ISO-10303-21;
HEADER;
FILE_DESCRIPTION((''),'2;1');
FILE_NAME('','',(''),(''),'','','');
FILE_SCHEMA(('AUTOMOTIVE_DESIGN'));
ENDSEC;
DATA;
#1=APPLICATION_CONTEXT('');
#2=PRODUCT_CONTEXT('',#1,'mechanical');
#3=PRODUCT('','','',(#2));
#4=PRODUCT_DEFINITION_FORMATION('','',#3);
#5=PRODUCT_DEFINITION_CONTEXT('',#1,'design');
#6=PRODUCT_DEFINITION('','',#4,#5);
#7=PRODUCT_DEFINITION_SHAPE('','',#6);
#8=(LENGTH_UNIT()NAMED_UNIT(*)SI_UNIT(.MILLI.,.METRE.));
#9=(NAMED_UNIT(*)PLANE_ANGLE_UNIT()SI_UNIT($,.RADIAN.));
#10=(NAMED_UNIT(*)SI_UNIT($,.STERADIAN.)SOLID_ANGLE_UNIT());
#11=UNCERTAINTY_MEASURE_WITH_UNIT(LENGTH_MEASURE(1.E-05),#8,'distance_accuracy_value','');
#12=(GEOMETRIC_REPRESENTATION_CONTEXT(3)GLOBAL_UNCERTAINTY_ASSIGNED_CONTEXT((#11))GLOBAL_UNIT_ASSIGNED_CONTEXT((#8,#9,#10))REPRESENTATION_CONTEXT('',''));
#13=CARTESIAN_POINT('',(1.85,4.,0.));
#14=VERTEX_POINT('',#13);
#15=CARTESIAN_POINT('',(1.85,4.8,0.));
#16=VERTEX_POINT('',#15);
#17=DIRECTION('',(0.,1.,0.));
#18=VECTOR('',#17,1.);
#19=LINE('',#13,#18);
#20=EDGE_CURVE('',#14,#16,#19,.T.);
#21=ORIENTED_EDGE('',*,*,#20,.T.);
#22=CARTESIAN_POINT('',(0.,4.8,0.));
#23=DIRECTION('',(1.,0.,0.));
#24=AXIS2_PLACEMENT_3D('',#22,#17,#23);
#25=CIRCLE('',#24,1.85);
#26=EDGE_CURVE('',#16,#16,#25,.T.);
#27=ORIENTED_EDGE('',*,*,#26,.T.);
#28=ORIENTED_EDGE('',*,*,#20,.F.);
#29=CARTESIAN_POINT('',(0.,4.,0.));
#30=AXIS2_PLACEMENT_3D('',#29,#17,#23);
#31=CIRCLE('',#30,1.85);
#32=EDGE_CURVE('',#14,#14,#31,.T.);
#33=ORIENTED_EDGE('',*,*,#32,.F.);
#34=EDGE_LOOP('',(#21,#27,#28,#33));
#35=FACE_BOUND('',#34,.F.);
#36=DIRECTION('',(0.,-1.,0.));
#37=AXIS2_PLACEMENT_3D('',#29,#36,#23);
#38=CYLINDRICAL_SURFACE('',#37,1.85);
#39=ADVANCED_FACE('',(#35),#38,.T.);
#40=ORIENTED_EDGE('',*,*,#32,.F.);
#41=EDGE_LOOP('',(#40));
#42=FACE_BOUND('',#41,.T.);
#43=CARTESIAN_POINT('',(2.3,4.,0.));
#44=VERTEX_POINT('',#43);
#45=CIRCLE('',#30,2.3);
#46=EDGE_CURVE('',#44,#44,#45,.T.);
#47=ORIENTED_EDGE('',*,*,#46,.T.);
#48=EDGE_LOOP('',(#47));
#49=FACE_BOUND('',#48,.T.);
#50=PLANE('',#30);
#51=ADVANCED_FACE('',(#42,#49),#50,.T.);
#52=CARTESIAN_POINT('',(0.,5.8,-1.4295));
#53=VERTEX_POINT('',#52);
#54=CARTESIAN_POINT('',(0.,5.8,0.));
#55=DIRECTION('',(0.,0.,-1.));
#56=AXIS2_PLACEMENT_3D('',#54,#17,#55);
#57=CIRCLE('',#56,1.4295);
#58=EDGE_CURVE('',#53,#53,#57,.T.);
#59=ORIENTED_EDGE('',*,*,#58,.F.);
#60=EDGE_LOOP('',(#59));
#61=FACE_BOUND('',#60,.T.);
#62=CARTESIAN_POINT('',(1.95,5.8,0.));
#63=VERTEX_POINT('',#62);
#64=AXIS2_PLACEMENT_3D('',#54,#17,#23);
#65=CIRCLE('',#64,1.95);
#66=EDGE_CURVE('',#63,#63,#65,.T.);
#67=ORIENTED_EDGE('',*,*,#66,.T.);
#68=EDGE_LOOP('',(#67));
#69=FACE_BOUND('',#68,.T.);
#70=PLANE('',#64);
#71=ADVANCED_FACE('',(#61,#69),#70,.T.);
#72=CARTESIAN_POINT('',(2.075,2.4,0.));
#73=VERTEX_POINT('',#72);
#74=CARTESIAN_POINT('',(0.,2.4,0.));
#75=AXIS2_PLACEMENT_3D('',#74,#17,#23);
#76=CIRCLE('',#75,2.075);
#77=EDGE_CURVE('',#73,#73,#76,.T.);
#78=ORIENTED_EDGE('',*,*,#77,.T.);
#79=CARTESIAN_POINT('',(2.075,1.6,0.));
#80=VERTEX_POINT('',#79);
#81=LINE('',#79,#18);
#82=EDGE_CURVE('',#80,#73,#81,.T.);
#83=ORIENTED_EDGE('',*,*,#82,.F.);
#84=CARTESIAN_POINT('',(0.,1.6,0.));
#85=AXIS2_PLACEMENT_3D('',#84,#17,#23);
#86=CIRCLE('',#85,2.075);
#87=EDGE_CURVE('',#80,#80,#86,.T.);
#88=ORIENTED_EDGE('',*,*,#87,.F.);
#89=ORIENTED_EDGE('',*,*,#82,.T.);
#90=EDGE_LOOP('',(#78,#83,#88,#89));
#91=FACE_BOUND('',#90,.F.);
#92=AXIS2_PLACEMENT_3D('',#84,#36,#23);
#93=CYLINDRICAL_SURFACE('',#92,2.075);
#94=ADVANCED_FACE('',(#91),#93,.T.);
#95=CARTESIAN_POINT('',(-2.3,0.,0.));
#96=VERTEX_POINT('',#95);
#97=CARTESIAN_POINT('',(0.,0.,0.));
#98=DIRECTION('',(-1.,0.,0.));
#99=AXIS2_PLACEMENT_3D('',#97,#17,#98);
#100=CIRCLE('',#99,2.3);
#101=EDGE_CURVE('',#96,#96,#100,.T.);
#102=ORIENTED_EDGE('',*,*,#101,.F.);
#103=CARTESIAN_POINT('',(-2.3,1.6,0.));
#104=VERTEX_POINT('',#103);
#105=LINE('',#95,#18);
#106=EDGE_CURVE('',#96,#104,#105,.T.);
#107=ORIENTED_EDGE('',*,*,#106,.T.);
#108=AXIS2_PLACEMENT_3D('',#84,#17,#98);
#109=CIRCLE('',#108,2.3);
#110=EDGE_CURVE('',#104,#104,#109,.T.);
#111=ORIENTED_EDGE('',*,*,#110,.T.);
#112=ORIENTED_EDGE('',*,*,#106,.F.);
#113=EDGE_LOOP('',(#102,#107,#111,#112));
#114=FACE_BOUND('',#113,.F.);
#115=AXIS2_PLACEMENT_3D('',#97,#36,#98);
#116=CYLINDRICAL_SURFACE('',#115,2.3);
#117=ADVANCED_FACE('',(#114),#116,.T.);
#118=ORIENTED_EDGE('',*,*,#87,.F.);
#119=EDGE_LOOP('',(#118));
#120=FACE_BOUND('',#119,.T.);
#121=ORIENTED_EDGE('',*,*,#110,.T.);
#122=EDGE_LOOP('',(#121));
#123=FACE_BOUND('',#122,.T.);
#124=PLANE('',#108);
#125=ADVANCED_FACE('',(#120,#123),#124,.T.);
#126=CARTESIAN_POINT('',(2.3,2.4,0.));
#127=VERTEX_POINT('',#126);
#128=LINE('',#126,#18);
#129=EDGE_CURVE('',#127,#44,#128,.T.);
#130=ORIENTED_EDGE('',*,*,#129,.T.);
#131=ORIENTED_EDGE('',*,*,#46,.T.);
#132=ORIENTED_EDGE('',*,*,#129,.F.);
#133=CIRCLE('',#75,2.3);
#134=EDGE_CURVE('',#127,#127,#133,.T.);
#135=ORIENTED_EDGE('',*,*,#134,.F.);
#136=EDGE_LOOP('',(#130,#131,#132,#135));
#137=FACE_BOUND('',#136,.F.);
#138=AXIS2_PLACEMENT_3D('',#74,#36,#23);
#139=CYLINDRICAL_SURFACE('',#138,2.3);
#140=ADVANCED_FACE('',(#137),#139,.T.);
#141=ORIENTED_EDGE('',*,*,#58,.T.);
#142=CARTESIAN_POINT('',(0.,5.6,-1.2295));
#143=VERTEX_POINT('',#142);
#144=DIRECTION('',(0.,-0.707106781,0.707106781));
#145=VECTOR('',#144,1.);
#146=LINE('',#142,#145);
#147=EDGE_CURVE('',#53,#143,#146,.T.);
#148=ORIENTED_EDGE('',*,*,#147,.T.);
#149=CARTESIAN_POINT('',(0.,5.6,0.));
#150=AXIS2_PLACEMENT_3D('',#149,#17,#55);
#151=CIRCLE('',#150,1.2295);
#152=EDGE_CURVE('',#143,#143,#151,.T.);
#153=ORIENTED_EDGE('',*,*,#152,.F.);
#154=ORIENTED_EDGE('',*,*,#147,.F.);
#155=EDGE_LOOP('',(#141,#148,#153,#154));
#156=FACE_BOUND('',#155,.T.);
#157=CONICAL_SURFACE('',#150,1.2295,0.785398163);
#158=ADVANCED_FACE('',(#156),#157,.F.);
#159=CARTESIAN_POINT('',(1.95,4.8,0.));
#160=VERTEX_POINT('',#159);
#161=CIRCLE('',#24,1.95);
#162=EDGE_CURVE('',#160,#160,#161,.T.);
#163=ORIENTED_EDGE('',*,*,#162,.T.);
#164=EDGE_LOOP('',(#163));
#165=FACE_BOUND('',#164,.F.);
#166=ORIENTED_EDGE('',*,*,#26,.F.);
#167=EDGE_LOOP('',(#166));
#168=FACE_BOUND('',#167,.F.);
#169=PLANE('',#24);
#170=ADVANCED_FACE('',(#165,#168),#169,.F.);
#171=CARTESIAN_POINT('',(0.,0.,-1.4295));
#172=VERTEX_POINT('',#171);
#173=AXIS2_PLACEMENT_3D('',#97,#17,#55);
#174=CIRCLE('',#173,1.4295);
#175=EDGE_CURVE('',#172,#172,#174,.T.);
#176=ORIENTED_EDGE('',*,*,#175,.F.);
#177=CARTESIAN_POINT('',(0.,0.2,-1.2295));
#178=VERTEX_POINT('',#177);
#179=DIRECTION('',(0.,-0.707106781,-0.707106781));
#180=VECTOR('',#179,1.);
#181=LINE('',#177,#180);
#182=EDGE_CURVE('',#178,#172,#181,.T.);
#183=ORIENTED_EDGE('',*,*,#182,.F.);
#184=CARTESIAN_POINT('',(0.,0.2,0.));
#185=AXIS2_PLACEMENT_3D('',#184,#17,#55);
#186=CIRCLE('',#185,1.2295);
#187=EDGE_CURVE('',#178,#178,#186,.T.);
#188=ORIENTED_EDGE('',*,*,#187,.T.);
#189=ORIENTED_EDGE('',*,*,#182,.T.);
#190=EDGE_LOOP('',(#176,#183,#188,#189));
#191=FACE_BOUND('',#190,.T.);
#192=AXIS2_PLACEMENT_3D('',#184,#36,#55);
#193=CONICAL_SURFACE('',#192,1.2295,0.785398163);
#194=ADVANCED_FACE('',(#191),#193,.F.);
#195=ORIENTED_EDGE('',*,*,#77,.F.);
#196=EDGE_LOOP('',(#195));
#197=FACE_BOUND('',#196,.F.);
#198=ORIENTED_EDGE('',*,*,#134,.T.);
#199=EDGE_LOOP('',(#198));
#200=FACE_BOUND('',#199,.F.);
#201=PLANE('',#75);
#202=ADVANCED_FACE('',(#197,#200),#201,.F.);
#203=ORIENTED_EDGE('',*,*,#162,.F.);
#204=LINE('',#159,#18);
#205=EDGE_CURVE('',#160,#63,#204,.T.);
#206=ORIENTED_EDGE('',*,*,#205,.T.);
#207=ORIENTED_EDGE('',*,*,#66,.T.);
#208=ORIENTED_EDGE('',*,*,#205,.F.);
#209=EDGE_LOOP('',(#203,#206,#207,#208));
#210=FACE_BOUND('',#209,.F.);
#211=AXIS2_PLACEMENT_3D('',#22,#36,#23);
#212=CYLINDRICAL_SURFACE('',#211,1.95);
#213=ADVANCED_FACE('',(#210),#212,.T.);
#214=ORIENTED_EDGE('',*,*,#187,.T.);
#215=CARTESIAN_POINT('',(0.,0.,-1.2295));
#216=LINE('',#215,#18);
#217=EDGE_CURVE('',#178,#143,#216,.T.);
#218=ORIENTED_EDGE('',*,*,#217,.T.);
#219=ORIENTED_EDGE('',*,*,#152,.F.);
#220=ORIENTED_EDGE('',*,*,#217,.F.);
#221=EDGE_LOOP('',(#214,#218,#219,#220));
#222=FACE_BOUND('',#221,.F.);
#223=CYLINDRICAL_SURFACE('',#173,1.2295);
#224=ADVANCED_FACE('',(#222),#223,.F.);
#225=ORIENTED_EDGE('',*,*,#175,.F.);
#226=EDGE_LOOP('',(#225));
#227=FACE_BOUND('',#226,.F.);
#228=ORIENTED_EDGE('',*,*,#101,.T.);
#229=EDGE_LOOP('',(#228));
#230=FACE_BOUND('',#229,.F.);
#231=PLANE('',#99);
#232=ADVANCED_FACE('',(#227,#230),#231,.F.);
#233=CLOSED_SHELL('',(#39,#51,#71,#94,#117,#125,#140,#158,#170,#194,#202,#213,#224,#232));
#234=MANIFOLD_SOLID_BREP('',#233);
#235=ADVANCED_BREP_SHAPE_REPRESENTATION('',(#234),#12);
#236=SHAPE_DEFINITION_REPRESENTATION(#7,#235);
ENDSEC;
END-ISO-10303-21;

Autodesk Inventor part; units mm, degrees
ref_plane "YZ Plane" through (0, 0, 0) normal (1, 0, 0) x (0, 1, 0)
ref_plane "XZ Plane" through (0, 0, 0) normal (0, 1, 0) x (-1, 0, 0)
ref_plane "XY Plane" through (0, 0, 0) normal (0, 0, 1) x (1, 0, 0)
sketch "Sketch1" plane through (0, 0, 0) normal (0, 1, 0) x (-1, 0, 0)
  circle A0 centre (0, 0) radius 2.3
  dimension "d0" = 4.6
extrude "Extrusion1" add sketch "Sketch1" along normal blind 1.6
sketch "Sketch2" plane through (0, 1.6, 0) normal (0, 1, 0) x (1, 0, 0)
  circle A0 centre (0, 0) radius 2.075
  dimension "d3" = 4.15
extrude "Extrusion2" add sketch "Sketch2" along normal blind 0.8
sketch "Sketch3" plane through (0, 2.4, 0) normal (0, 1, 0) x (1, 0, 0)
  circle A0 centre (0, 0) radius 2.3 projected
extrude "Extrusion3" add sketch "Sketch3" along normal blind 1.6
sketch "Sketch4" plane through (0, 4, 0) normal (0, 1, 0) x (1, 0, 0)
  circle A0 centre (0, 0) radius 1.85
  dimension "d8" = 3.7
extrude "Extrusion4" add sketch "Sketch4" along normal blind 0.8
sketch "Sketch5" plane through (0, 4.8, 0) normal (0, 1, 0) x (1, 0, 0)
  circle A0 centre (0, 0) radius 1.95
  dimension "d11" = 3.9
extrude "Extrusion5" add sketch "Sketch5" along normal blind 1
hole "Hole1" at (0, 0, 0) direction (0, 1, 0) diameter 2.459 end through all thread size "M3x0.5" class "6H" standard "ISO Metric profile"
chamfer "Chamfer1" distance 0.2 angle 45 2 edges at (0, 0, 1.2295) (0, 5.8, 1.2295)
properties part number "COTS_BOSSARD_1386867_M3_Insert"
